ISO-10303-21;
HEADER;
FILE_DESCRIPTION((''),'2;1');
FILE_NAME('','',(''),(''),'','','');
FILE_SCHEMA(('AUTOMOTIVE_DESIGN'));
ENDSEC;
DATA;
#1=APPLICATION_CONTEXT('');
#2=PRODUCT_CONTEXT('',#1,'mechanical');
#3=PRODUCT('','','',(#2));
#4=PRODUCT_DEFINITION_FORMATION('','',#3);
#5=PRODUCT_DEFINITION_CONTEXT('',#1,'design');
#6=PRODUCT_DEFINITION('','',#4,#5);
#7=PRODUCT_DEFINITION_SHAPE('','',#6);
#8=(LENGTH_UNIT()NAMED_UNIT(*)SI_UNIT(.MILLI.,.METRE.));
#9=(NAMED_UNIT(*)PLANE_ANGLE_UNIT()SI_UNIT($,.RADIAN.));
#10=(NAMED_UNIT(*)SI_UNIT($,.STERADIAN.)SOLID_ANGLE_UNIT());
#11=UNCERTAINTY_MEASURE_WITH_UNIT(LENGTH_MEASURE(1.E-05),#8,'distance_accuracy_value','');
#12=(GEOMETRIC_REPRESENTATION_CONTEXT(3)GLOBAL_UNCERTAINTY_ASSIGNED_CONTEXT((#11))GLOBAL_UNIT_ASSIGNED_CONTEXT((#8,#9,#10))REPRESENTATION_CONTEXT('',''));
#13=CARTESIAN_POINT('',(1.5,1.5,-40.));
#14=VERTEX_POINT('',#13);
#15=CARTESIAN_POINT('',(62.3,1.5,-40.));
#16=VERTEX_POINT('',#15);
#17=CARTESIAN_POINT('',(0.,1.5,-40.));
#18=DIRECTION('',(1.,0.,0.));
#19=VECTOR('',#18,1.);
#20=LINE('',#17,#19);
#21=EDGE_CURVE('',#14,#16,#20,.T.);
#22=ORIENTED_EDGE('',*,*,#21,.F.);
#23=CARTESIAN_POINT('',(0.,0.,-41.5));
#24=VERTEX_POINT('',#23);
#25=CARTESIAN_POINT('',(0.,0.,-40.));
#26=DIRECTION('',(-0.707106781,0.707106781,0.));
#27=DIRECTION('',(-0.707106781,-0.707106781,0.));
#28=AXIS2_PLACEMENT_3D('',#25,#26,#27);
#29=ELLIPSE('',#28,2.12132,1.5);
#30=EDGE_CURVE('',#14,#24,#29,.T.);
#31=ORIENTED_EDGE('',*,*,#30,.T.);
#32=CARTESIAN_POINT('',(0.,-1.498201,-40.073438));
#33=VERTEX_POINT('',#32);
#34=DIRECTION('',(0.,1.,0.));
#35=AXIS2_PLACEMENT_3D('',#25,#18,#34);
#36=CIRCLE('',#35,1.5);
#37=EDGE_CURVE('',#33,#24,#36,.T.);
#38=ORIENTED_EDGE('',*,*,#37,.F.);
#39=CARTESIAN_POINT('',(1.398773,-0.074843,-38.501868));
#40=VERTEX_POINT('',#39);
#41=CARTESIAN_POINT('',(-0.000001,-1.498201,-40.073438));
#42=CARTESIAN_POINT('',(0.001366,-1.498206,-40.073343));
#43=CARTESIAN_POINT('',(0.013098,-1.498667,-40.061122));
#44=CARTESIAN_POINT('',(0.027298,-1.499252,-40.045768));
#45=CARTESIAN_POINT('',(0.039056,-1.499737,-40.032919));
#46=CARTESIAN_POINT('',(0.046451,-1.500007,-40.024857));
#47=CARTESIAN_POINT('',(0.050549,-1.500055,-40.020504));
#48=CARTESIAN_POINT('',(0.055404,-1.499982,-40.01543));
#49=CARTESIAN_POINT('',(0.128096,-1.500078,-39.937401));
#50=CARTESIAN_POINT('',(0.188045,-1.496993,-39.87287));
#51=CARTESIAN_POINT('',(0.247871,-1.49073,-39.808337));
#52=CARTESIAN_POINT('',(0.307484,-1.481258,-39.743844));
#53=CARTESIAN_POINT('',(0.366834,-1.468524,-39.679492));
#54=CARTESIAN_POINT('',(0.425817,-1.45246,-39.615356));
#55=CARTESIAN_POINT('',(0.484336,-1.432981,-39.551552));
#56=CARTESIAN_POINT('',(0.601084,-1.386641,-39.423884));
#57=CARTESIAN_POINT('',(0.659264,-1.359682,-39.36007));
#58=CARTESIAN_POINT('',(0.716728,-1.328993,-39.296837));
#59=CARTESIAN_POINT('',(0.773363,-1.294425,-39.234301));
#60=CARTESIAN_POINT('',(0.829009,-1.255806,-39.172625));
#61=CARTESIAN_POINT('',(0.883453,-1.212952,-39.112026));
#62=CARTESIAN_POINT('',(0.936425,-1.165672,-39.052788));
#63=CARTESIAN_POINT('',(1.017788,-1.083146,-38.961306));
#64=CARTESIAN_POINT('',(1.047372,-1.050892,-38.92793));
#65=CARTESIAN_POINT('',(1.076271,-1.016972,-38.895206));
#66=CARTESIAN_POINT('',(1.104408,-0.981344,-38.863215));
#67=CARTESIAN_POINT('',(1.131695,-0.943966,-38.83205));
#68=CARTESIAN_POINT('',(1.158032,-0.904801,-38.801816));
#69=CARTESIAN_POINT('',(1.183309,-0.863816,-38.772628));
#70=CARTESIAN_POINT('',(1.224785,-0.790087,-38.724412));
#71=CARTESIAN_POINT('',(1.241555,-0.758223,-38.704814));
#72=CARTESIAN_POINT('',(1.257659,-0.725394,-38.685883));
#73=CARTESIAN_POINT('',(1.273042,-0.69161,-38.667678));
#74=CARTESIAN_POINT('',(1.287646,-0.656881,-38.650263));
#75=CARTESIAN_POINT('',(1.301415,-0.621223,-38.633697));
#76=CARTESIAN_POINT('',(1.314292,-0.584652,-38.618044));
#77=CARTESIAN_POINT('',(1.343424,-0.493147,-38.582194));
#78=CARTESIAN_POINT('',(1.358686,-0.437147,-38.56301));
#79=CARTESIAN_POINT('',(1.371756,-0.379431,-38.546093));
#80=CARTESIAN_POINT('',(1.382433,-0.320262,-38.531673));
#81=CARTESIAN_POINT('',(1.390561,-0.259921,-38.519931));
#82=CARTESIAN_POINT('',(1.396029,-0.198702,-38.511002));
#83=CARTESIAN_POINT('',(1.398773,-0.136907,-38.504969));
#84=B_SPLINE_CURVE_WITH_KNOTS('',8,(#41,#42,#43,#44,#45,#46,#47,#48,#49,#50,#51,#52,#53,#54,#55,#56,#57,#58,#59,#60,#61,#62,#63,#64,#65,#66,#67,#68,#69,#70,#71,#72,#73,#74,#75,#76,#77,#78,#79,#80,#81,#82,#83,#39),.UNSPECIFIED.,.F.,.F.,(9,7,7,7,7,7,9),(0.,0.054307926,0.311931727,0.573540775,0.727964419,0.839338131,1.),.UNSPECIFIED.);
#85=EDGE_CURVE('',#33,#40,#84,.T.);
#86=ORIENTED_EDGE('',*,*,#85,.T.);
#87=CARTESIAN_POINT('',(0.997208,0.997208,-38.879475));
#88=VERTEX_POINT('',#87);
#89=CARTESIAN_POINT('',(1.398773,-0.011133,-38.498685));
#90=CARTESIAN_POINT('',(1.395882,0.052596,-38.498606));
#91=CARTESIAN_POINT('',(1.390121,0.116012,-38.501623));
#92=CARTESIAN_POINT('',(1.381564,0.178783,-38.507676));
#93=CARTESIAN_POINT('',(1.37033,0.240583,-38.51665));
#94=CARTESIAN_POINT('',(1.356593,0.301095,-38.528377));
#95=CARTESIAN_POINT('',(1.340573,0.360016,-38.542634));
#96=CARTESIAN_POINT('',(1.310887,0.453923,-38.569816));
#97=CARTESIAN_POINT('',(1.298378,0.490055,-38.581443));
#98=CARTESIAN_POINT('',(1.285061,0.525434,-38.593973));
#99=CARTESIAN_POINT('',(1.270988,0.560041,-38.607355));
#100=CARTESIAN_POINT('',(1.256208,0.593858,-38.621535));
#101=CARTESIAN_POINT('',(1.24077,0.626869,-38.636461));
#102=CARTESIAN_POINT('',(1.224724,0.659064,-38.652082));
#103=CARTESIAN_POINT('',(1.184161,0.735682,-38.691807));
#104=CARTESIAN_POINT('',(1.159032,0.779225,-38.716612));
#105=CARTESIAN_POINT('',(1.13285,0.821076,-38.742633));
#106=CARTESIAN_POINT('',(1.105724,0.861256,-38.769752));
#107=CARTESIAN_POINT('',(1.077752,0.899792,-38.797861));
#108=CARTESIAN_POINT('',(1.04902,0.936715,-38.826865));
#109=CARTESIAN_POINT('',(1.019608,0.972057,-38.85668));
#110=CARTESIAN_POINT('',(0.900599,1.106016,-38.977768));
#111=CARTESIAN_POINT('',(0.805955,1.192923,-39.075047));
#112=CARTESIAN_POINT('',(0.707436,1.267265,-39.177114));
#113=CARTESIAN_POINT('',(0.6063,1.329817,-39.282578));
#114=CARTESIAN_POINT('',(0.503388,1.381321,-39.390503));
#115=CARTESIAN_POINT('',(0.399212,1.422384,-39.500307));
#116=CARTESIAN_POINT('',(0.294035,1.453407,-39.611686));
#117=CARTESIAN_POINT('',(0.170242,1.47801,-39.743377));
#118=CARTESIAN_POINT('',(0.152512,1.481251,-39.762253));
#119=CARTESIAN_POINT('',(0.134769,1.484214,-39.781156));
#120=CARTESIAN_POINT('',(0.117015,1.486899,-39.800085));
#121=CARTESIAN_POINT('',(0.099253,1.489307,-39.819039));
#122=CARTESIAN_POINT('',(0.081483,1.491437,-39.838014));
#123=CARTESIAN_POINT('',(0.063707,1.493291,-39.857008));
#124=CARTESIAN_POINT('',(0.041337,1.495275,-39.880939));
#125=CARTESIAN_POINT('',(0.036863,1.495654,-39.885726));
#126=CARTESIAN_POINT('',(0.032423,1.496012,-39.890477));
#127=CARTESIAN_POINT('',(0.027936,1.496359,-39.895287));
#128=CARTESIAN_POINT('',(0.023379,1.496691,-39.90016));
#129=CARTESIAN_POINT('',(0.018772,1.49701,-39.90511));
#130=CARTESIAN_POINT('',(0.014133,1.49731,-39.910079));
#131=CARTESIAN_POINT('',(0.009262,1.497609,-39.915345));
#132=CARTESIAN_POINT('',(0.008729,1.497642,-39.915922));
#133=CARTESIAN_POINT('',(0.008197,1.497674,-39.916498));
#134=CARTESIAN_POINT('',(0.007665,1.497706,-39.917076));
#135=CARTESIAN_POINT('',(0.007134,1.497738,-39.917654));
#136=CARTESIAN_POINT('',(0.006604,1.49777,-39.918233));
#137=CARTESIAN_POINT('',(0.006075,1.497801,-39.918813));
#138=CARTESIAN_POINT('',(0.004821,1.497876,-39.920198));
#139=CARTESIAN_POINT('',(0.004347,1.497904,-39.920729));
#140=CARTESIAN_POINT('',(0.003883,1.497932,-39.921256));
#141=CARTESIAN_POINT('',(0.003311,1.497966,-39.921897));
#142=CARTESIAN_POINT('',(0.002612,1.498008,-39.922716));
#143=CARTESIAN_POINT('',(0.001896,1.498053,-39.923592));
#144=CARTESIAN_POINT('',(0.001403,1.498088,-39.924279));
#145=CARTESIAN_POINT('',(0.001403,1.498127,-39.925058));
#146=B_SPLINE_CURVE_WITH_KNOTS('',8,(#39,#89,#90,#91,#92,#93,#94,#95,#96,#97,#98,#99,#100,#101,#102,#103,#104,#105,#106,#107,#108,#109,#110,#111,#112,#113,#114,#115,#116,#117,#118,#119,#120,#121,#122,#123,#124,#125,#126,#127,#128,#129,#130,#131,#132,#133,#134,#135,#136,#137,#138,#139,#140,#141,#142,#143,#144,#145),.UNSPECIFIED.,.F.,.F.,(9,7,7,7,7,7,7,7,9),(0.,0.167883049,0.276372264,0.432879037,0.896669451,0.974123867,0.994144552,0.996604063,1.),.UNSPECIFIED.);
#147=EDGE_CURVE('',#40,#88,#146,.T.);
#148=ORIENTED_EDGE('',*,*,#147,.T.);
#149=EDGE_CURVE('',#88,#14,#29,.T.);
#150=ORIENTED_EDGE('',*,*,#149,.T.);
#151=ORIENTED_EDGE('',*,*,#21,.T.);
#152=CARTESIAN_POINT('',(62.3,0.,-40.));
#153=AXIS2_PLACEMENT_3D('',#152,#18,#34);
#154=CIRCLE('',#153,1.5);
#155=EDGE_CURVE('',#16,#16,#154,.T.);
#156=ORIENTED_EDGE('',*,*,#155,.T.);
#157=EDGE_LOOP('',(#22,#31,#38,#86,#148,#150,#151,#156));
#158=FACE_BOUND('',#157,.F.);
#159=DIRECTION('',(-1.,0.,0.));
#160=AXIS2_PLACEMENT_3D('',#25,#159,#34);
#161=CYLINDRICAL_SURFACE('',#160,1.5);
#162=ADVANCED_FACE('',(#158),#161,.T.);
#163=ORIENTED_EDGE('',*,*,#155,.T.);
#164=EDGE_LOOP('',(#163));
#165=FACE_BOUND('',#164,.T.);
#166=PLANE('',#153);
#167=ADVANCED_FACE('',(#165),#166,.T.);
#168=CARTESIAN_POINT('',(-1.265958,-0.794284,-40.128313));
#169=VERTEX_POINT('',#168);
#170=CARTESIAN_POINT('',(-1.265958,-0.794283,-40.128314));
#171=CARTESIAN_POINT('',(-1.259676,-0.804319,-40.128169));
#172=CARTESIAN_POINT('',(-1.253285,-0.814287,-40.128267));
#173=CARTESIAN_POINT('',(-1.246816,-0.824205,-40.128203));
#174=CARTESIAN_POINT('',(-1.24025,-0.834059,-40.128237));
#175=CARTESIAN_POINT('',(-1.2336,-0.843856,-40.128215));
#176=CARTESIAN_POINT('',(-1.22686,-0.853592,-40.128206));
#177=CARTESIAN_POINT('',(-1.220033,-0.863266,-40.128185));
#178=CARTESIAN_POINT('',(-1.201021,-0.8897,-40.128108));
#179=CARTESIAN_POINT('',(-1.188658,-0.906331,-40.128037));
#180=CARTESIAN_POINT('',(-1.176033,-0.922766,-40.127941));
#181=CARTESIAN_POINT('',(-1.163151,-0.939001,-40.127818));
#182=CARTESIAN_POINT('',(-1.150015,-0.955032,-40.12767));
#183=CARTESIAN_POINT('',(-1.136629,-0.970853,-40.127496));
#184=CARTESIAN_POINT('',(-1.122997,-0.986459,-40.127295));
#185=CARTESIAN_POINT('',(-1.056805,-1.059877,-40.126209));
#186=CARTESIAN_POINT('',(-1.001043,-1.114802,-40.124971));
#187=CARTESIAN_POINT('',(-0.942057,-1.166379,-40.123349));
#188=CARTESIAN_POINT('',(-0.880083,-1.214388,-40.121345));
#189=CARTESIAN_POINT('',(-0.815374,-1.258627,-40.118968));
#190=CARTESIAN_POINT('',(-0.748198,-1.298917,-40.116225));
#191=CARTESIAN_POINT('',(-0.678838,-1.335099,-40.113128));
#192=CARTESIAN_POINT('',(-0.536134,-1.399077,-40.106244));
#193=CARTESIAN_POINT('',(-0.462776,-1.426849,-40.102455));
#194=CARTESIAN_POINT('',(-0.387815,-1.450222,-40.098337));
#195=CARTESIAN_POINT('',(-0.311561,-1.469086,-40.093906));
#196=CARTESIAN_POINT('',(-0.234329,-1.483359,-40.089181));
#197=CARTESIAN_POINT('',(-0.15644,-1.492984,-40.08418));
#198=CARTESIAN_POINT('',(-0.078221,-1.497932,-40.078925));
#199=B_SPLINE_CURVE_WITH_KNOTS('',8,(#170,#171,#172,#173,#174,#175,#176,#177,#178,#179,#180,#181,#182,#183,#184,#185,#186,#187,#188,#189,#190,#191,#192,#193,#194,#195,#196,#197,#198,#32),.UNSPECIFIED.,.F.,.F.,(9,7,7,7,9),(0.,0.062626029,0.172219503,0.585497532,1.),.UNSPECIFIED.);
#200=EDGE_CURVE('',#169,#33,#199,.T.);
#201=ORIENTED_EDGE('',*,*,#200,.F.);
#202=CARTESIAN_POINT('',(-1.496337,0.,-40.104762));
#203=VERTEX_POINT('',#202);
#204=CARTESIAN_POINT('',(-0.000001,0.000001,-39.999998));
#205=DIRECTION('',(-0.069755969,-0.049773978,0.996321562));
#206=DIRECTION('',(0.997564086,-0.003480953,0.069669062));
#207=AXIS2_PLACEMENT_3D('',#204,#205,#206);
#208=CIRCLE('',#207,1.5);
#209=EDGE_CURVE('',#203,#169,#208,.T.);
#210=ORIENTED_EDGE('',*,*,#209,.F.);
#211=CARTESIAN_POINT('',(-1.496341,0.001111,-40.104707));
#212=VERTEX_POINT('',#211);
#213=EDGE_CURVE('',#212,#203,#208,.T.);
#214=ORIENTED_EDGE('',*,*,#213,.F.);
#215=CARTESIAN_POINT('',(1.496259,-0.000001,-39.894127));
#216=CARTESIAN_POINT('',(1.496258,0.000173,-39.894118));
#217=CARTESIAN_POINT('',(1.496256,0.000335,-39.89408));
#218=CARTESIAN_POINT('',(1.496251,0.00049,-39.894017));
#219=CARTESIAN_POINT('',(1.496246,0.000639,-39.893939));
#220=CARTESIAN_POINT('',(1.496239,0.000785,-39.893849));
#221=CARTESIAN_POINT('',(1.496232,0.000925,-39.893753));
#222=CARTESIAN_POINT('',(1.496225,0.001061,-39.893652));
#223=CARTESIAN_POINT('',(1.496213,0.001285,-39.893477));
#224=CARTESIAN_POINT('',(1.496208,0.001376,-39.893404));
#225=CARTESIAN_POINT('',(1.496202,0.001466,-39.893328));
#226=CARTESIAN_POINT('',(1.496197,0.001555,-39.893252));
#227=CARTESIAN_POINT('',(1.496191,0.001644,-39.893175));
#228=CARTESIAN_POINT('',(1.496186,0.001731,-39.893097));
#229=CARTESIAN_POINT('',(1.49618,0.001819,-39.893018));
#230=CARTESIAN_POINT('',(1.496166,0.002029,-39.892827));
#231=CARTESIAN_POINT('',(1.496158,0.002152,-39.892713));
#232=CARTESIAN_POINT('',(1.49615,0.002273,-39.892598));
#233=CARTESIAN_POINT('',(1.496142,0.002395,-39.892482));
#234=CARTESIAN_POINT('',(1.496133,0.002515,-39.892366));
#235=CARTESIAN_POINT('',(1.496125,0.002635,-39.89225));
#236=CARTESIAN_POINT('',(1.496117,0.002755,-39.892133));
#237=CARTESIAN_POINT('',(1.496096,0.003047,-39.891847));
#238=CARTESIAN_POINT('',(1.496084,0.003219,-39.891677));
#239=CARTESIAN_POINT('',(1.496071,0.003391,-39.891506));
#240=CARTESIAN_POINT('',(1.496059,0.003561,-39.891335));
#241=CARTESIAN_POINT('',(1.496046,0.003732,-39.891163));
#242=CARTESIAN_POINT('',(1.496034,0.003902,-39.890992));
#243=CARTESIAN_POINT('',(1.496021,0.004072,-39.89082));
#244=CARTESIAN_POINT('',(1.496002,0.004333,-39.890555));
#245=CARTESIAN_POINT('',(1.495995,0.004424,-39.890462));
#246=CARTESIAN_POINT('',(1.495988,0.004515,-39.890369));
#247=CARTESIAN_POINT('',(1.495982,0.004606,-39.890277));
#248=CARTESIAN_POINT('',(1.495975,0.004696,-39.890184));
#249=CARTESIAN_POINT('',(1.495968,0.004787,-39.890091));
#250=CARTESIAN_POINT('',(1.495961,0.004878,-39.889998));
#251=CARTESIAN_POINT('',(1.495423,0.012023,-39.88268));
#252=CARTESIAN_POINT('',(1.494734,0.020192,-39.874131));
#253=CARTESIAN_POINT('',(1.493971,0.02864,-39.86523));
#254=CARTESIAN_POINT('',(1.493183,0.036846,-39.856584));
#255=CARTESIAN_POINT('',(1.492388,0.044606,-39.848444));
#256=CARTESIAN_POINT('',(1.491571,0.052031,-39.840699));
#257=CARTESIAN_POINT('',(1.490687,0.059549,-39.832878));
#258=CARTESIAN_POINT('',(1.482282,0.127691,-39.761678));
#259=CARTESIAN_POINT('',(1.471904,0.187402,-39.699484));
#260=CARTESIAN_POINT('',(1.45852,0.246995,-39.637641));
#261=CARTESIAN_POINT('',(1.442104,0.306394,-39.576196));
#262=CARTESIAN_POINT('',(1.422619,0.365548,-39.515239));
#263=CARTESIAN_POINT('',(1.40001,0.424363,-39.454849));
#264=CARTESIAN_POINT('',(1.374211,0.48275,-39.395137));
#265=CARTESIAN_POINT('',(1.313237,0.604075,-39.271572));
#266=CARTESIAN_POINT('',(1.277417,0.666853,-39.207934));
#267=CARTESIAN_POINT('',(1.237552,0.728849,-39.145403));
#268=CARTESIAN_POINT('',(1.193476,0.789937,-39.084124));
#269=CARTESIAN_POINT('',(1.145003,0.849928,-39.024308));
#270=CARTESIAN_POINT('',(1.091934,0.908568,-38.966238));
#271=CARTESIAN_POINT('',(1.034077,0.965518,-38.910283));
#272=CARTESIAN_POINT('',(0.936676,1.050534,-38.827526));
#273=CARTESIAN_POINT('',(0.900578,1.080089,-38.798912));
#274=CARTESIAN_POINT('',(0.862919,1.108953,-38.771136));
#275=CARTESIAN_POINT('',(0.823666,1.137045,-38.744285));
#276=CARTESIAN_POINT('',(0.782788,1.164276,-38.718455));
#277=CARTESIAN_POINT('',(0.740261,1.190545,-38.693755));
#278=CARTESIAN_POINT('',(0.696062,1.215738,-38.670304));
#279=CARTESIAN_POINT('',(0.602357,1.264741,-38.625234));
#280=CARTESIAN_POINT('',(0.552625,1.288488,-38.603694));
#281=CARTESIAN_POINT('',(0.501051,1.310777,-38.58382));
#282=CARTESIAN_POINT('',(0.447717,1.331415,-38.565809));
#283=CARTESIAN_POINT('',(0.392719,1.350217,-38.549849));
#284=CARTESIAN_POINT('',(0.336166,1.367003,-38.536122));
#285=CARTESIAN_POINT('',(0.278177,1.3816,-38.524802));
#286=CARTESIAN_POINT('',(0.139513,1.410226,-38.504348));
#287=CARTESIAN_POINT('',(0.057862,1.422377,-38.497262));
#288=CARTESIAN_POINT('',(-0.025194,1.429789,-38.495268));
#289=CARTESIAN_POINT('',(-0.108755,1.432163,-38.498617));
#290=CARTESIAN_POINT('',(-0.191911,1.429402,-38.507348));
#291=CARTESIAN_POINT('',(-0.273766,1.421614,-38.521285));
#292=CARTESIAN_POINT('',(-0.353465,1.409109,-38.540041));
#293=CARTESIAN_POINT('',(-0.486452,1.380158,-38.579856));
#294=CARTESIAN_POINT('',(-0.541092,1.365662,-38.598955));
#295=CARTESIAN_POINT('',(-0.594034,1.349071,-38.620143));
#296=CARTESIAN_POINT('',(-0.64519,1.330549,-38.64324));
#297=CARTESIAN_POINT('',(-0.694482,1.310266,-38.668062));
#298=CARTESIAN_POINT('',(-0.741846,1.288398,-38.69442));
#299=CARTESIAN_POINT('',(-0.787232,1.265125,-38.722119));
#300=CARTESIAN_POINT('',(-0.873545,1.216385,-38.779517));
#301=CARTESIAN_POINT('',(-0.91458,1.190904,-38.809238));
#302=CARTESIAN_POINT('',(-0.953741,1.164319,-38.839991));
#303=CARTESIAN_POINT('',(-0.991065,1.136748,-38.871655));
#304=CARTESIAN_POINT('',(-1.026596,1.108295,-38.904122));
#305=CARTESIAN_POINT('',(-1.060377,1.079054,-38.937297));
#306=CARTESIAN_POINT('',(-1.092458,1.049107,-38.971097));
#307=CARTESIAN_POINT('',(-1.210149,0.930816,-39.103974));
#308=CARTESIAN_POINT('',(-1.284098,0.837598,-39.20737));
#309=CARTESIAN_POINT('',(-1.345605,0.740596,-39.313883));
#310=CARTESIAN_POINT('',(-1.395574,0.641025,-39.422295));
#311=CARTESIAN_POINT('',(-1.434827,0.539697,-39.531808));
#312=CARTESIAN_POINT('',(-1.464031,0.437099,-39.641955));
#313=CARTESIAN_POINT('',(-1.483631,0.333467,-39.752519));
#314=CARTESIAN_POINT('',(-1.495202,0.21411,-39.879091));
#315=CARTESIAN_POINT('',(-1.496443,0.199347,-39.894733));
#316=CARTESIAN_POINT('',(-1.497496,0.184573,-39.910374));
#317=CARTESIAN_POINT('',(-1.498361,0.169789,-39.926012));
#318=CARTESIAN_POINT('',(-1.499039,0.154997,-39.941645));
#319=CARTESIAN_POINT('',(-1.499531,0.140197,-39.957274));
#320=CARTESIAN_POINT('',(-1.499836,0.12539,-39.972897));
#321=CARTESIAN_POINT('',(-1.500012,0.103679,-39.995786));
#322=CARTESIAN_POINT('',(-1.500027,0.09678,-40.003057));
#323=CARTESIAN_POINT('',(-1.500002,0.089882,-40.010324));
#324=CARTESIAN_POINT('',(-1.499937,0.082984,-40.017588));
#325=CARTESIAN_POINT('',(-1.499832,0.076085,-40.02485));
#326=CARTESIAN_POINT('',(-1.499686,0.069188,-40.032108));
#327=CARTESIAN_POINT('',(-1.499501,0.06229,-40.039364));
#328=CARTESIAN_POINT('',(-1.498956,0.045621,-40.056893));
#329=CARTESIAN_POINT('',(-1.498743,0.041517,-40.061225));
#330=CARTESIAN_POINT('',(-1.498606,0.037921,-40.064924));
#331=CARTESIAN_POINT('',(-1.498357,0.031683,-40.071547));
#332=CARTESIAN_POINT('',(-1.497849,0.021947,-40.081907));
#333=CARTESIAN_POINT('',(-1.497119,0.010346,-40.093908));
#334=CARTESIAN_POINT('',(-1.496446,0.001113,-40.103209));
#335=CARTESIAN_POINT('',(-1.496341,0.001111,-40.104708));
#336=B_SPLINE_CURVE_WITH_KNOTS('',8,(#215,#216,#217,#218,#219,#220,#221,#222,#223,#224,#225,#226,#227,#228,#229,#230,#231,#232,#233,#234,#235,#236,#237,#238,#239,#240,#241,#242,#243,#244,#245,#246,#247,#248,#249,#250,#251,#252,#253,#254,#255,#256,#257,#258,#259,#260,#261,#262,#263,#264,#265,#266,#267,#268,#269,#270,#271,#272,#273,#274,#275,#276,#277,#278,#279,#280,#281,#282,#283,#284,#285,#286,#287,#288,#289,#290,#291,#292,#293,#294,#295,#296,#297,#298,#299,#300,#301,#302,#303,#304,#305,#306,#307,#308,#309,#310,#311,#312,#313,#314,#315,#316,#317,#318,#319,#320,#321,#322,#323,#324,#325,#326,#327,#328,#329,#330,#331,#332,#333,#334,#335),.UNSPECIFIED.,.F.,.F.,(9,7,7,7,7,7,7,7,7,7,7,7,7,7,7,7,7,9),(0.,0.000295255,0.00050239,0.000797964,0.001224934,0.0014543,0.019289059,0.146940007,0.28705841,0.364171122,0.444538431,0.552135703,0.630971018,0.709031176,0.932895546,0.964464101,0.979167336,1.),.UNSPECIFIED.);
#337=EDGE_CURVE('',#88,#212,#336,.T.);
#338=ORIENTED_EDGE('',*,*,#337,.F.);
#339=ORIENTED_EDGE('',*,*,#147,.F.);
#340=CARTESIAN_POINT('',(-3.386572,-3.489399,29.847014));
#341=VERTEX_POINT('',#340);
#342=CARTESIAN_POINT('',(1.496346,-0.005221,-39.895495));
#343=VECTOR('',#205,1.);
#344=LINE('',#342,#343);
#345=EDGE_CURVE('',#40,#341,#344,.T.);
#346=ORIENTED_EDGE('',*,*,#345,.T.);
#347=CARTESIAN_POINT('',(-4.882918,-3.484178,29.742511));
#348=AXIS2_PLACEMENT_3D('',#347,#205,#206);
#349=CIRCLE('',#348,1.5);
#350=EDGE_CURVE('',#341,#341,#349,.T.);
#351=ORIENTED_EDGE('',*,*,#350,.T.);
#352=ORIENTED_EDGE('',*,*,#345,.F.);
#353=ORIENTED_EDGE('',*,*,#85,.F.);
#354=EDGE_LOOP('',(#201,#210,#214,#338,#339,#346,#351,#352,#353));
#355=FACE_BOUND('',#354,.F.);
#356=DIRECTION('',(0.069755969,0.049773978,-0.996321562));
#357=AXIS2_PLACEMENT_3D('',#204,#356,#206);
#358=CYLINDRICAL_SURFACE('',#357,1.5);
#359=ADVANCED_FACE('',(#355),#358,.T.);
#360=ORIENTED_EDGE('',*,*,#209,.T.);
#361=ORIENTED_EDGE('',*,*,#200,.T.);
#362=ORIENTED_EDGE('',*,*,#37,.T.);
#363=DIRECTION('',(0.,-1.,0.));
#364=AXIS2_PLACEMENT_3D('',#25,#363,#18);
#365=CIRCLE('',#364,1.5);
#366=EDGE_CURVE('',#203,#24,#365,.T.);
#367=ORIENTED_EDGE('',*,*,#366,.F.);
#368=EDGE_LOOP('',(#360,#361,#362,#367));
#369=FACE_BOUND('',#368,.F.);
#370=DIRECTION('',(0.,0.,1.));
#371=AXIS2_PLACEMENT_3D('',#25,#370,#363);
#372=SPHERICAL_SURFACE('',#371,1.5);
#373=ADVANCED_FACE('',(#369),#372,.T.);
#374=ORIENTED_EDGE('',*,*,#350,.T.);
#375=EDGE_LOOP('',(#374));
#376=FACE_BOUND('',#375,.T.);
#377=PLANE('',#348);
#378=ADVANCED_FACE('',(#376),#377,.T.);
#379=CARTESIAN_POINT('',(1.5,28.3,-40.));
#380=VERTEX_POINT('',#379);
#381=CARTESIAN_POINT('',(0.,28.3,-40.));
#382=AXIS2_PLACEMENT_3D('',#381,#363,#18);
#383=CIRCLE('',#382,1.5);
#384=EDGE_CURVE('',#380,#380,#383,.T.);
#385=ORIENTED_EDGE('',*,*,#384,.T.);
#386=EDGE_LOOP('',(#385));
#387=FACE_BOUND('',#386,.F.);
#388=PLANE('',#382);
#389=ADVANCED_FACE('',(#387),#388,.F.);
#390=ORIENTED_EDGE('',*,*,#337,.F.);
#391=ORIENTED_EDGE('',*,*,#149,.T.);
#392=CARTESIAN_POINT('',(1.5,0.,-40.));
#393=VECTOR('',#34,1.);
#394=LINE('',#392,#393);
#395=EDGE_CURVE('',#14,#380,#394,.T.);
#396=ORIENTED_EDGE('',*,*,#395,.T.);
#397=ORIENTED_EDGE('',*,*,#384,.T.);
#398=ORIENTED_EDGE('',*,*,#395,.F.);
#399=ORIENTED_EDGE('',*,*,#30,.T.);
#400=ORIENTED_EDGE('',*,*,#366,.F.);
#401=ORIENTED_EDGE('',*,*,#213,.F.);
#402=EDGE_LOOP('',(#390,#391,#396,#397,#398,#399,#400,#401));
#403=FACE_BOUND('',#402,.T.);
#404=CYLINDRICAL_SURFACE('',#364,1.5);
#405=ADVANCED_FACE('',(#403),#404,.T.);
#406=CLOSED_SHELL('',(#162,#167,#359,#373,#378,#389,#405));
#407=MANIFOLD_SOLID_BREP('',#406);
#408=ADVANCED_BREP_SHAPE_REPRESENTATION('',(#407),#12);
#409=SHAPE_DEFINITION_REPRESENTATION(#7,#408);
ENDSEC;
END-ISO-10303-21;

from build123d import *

# Parameters (mm, degrees)
F0_R      = 1.5
F1_DEPTH  = 62.3
F2_R      = 1.5
F3_DEPTH  = 28.3
F5_ANGLE  = 90
F12_R     = 1.5
F13_DEPTH = 70


with BuildPart() as f1:
    # F0 (on Right) → F1 (new body)
    with BuildSketch(Plane.YZ):
        with Locations((0, -40)):
            Circle(F0_R)
    extrude(amount=F1_DEPTH)

    # F2 (on Front) → F3 (join)
    with BuildSketch(Plane.XZ):
        with Locations((0, -40)):
            Circle(F2_R)
    extrude(amount=-F3_DEPTH)

    # F4 (on face) → F5 (revolve)
    with BuildSketch(Plane(origin=(0, 0, 0), x_dir=(0, -1, 0), z_dir=(-1, 0, 0))):
        with BuildLine():
            Line((0, -38.5), (0, -41.5))
            ThreePointArc((0, -41.5), (1.5, -40), (0, -38.5))
        make_face()
    revolve(axis=Axis((0, 0, -40), (0, 0, -1)), revolution_arc=F5_ANGLE)

    # F12 (on face) → F13 (join)
    with BuildSketch(Plane(origin=(2.779995, 1.983642, -39.706263), x_dir=(0.997564, -0.003481, 0.06967), z_dir=(-0.069756, -0.049774, 0.996322))):
        with Locations((-2.786783, -1.995828)):
            Circle(F12_R)
    extrude(amount=F13_DEPTH)


solid = f1.part
